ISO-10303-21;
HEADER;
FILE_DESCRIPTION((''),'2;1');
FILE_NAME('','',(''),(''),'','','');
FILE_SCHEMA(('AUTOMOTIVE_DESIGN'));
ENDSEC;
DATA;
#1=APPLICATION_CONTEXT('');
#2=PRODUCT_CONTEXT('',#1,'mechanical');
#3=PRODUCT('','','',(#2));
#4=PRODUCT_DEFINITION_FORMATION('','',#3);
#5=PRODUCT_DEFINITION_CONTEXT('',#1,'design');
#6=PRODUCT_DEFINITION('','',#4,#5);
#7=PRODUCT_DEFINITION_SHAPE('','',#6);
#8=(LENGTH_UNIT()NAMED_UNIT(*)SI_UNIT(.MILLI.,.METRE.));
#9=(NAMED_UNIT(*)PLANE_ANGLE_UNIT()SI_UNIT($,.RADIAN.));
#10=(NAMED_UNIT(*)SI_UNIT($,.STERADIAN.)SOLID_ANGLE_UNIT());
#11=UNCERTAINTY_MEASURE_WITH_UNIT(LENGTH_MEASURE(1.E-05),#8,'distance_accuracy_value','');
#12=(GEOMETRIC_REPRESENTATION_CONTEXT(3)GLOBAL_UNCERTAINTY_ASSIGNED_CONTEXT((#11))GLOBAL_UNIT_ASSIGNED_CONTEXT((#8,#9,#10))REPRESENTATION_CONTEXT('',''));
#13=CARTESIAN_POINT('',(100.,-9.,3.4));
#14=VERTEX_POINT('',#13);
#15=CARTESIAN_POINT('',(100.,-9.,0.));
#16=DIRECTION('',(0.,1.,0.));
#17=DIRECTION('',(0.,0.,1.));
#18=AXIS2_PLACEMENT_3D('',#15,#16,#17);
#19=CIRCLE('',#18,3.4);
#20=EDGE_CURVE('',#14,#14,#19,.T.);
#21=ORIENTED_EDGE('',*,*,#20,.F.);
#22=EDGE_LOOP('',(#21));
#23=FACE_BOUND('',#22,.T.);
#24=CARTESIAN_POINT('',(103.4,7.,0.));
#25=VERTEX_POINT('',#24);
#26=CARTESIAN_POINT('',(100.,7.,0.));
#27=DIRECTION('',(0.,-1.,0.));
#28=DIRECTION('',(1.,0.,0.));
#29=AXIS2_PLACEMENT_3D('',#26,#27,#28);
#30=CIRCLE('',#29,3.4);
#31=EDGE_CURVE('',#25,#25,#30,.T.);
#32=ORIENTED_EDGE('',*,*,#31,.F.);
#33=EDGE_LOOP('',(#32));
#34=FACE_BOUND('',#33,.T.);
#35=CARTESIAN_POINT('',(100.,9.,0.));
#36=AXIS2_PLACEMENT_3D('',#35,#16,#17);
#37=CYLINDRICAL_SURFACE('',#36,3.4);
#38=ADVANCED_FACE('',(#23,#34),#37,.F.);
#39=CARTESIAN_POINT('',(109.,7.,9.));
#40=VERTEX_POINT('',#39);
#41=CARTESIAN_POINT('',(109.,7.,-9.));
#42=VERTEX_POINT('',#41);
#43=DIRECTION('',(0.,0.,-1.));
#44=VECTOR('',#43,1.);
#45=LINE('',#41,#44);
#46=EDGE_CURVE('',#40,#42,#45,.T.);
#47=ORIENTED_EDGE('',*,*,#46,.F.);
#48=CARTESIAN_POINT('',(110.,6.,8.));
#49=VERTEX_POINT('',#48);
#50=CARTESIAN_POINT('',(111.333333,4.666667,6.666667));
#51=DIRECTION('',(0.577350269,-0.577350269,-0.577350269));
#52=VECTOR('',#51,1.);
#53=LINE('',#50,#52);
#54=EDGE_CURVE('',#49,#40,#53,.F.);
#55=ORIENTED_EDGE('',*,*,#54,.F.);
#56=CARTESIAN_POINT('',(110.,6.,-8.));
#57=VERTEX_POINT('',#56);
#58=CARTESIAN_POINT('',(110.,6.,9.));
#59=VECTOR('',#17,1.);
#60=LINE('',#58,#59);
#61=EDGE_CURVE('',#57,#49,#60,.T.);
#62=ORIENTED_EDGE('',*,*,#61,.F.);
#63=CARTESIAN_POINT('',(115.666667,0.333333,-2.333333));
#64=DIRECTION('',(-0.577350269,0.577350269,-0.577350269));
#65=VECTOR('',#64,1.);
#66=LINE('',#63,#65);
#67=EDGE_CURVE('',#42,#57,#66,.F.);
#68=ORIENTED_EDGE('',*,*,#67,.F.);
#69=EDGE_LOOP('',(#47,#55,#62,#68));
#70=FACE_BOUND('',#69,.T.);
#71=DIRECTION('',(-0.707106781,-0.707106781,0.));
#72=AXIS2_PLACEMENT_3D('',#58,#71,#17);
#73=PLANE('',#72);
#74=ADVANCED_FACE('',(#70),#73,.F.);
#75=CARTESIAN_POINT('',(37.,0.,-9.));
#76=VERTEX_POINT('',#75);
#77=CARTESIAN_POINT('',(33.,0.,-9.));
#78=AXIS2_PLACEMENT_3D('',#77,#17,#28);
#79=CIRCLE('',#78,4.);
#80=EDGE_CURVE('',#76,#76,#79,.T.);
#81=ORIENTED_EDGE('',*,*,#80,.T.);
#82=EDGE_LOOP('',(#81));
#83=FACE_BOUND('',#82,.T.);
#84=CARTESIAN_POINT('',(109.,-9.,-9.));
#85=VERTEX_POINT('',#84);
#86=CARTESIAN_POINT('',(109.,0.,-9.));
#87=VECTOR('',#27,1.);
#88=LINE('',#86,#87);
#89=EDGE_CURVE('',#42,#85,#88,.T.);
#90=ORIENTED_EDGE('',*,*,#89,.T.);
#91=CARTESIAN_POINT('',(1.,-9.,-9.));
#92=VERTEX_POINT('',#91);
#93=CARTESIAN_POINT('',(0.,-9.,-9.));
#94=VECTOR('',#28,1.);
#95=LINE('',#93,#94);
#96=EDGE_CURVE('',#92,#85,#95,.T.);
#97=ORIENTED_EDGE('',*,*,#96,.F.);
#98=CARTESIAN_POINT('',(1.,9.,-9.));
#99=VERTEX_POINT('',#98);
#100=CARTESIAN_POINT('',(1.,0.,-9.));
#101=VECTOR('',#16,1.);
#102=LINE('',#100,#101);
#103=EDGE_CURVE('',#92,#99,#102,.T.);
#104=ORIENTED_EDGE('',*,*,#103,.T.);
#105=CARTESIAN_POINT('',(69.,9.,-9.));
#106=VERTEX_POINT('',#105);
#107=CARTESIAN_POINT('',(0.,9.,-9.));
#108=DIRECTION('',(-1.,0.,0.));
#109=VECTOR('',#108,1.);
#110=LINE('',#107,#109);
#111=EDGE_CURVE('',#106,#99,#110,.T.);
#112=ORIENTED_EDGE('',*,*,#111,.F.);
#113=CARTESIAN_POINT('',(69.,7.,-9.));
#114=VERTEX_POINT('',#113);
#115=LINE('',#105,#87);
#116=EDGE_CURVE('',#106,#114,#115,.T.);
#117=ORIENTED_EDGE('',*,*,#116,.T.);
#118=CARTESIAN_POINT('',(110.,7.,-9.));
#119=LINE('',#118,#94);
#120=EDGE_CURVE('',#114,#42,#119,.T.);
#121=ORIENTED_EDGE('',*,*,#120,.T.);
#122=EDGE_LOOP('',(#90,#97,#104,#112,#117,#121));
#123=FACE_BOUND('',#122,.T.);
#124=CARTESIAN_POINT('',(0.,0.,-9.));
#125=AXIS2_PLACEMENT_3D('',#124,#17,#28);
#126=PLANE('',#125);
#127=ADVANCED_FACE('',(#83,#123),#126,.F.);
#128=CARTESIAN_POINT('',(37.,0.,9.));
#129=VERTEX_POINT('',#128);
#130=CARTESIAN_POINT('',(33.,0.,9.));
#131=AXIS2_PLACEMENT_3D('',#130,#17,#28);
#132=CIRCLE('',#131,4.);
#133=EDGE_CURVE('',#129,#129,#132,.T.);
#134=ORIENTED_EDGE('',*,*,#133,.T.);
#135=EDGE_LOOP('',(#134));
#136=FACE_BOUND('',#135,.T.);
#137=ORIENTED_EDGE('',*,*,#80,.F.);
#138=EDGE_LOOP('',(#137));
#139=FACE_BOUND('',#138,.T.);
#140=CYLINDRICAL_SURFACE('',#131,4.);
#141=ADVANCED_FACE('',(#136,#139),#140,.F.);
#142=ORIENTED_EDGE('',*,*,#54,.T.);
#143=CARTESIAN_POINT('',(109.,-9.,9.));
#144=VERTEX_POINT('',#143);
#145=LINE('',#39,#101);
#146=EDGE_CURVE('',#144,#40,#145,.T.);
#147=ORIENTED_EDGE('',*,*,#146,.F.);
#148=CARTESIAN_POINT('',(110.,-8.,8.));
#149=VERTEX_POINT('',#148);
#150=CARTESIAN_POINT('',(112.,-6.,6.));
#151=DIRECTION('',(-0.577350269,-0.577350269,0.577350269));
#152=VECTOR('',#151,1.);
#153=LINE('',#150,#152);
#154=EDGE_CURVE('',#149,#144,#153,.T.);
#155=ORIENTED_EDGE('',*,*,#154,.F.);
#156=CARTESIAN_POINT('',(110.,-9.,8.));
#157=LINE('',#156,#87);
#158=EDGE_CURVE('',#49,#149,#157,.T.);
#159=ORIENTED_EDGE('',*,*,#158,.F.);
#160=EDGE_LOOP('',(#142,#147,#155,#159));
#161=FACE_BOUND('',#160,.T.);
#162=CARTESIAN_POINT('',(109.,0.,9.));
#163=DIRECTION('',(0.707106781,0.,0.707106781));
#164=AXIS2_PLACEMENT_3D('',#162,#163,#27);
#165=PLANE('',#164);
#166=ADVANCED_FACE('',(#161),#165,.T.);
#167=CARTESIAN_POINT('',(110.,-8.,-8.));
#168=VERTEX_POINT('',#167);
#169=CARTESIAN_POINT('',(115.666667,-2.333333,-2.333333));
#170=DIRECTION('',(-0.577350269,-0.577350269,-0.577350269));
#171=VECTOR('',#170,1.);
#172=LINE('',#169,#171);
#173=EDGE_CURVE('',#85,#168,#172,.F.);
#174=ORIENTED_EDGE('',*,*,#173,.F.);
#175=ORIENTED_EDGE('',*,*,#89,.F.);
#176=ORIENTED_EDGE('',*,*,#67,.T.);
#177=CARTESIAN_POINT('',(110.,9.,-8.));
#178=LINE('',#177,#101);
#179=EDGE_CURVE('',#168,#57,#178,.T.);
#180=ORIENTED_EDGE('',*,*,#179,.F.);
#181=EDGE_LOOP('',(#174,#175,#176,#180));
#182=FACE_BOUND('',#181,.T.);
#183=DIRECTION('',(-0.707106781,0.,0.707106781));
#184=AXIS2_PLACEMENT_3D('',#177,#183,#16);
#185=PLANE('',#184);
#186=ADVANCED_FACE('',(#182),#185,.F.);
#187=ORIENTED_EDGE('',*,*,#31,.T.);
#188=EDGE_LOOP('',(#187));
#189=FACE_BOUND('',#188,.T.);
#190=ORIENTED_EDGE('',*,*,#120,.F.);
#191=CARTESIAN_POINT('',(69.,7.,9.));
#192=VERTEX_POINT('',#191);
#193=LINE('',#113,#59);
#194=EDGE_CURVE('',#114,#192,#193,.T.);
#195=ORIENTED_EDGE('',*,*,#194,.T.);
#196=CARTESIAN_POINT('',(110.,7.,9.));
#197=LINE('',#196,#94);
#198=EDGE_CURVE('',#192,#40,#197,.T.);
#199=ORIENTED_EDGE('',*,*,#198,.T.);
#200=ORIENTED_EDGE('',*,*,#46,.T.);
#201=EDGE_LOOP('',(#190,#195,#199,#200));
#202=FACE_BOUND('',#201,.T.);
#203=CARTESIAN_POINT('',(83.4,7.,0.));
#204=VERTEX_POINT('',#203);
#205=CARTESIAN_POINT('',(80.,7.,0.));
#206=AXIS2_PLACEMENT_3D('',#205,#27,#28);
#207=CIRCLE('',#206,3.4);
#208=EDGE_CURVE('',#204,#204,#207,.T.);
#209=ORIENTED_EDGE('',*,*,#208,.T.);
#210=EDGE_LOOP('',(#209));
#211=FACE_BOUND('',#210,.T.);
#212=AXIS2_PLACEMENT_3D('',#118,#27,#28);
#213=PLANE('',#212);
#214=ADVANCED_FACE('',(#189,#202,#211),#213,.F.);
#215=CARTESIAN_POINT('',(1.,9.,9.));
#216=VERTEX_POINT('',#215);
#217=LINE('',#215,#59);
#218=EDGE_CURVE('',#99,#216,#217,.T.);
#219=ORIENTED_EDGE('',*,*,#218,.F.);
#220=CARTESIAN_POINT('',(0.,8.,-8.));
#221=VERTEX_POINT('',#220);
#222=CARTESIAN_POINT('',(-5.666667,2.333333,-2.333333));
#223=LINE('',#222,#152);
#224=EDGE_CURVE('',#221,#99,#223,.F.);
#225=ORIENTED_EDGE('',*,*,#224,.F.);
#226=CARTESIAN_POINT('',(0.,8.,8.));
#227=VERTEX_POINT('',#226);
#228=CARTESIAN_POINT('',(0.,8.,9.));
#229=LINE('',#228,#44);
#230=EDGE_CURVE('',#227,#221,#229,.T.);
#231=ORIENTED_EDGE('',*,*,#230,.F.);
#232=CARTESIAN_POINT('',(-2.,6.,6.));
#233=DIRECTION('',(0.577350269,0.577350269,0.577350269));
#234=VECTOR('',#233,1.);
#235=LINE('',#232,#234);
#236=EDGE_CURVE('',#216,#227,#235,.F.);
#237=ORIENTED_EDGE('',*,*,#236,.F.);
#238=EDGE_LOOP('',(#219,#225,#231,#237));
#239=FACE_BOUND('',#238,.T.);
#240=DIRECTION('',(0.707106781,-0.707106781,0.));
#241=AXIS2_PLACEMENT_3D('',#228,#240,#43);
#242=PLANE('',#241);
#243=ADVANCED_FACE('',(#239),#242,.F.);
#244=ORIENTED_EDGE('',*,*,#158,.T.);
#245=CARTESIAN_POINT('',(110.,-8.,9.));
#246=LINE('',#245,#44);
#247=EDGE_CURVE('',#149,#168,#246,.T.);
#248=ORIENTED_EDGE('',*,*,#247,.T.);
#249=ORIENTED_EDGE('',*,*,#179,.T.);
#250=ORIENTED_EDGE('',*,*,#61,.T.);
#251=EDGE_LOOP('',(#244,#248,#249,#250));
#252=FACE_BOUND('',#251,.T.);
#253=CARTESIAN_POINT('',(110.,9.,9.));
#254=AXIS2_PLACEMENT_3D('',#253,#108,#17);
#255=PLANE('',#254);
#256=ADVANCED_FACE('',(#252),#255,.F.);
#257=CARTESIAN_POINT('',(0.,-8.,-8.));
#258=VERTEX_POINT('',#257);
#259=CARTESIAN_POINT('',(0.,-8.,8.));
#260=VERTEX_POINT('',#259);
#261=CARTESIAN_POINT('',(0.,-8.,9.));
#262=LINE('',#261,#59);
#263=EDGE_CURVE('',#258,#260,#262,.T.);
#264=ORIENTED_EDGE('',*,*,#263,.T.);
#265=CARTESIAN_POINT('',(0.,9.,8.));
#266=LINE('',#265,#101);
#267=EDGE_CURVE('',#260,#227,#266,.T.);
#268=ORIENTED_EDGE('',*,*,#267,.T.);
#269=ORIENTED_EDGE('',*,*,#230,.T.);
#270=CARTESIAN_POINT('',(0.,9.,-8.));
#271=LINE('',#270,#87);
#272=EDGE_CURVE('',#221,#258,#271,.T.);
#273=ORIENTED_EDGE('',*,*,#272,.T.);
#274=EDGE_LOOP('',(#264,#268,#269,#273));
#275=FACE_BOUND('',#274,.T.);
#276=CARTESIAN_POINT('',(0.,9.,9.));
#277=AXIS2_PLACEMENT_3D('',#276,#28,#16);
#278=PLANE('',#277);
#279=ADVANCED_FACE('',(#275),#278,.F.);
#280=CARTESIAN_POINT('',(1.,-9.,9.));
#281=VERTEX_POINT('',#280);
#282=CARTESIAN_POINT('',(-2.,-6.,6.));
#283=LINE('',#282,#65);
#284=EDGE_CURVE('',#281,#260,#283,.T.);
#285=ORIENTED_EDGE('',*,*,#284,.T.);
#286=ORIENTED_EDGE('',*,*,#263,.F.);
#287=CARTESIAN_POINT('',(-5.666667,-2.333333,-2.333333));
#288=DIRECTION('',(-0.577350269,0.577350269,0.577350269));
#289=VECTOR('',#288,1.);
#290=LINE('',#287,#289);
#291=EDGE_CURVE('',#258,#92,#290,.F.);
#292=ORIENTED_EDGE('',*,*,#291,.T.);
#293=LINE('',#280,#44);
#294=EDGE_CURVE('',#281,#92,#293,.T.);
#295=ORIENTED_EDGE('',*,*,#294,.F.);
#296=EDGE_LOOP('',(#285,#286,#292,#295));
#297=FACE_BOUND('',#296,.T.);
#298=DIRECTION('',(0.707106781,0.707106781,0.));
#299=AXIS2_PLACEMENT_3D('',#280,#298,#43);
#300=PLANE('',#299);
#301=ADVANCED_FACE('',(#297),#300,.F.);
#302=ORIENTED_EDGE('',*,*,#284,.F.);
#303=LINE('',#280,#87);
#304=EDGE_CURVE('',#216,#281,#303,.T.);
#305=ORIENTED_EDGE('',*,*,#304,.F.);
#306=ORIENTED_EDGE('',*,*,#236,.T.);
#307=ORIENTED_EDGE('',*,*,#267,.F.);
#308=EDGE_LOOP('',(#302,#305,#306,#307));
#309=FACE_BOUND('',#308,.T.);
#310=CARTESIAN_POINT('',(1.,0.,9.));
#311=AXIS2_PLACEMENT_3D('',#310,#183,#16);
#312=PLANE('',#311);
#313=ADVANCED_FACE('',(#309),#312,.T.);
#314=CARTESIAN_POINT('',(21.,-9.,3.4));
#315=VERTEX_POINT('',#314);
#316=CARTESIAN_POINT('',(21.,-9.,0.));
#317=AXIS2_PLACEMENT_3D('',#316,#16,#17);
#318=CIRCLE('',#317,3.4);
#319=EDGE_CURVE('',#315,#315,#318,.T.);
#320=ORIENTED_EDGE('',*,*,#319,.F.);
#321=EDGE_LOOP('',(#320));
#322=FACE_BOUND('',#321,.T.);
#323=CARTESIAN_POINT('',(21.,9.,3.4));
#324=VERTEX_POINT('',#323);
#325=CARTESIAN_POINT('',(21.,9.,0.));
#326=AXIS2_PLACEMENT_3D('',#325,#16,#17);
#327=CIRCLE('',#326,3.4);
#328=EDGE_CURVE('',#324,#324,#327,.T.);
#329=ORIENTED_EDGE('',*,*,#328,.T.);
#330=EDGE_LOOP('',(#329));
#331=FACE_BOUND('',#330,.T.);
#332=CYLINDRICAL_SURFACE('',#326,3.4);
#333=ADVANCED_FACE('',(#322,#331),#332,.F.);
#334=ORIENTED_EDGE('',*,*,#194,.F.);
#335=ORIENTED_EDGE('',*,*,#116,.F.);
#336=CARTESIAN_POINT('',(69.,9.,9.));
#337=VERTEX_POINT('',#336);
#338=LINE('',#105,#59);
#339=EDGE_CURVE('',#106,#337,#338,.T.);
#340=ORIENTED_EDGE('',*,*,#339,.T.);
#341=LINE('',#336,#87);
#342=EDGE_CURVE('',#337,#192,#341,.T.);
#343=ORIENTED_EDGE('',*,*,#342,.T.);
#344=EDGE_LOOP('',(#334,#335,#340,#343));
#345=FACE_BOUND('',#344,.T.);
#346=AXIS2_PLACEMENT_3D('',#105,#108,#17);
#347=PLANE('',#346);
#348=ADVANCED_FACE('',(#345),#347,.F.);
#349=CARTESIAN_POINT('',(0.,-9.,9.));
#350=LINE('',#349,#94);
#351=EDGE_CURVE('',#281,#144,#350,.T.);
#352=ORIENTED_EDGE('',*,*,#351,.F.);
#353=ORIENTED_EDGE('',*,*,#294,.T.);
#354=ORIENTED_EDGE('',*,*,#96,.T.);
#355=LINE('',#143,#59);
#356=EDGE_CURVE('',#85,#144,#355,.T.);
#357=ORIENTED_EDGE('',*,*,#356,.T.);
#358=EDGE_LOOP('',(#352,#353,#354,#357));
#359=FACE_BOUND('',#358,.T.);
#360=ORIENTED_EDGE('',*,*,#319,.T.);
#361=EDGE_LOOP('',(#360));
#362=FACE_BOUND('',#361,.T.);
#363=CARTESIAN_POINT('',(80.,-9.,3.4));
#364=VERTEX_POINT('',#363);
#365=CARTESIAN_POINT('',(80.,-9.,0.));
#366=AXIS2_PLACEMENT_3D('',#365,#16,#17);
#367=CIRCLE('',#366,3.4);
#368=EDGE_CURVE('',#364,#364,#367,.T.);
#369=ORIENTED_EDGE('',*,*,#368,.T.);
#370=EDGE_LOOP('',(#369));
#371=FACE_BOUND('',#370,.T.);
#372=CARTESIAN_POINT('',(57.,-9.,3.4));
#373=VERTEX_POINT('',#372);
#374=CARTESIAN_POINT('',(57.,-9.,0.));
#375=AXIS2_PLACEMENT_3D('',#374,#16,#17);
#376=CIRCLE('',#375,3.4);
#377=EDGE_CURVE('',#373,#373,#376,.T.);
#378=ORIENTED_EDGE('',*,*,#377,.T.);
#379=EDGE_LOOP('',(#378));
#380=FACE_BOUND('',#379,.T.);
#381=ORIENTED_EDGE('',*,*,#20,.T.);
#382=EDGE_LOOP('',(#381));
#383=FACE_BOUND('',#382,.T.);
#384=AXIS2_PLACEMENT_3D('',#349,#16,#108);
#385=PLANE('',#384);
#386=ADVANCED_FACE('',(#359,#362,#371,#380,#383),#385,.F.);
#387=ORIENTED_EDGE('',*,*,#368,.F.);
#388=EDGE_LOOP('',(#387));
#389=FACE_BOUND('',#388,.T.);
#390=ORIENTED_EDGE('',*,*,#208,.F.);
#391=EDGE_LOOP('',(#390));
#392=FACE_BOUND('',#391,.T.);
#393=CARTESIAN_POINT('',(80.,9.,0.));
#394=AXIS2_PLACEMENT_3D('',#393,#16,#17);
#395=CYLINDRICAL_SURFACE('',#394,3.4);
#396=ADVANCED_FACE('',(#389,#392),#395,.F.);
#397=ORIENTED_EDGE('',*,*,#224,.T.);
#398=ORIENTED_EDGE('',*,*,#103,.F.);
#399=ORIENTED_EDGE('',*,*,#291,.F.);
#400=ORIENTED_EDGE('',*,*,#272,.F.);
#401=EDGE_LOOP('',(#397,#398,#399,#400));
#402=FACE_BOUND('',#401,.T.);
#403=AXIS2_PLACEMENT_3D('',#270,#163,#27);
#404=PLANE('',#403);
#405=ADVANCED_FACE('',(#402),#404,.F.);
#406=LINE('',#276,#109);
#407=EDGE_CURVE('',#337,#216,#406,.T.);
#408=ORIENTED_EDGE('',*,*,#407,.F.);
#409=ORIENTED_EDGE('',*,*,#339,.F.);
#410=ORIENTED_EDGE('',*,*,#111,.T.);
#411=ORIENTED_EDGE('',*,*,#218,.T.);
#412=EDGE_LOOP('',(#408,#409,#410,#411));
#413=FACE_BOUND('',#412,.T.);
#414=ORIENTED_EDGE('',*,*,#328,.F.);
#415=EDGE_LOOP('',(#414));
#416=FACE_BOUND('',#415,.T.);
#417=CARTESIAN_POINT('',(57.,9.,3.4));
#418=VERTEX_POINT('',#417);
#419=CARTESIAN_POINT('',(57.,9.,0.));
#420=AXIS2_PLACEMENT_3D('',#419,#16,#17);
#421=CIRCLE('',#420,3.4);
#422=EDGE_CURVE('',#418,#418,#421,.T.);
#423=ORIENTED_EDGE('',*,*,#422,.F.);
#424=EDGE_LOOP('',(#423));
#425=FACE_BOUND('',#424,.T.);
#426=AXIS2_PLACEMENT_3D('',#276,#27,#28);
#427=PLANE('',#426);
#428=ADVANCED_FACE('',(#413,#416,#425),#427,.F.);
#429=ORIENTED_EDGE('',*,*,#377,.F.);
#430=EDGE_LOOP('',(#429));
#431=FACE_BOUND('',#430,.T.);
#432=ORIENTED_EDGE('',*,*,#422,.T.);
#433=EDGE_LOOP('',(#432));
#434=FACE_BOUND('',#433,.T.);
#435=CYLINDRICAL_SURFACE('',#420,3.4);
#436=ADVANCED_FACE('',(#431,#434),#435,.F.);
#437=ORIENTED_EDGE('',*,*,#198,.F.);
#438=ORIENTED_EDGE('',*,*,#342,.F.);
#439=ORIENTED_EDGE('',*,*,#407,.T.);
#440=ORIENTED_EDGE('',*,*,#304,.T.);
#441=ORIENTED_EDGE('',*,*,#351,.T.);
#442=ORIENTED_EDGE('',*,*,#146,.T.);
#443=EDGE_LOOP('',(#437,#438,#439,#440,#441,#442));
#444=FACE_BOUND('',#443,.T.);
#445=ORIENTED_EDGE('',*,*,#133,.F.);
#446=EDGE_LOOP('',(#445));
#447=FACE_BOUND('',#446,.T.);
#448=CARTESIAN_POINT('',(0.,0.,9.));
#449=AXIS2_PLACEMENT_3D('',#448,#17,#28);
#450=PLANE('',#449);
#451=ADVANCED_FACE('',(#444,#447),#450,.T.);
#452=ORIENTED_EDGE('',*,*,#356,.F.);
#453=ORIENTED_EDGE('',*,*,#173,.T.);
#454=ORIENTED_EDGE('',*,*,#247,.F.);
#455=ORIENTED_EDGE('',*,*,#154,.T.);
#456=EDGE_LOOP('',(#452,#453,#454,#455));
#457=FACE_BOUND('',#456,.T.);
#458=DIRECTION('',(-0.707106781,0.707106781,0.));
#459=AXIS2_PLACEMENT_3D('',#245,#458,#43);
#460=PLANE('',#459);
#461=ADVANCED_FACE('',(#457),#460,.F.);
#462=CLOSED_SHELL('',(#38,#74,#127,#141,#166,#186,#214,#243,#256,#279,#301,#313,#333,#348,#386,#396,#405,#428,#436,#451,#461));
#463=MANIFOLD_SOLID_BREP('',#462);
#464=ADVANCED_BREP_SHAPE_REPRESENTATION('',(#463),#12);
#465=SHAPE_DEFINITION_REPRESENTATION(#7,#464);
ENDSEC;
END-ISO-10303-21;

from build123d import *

# Parameters (mm, degrees)
SKETCH1_W                = 110
SKETCH1_H                = 18
BOSS_EXTRUDE1_DEPTH      = 9
SKETCH2_W                = 41
SKETCH2_H                = 2
CUT_EXTRUDE1_DEPTH       = 112.825757319
F_8_0_8_DIAMETER_HOLE1_D = 8
M8_TAPPED_HOLE1_D        = 6.8
CHAMFER1_SIZE            = 1


with BuildPart() as part:
    # Sketch1 → Boss-Extrude1 (new, symmetric)
    with BuildSketch(Plane.XY):
        with Locations((55, 0)):
            Rectangle(SKETCH1_W, SKETCH1_H)
    extrude(amount=BOSS_EXTRUDE1_DEPTH, both=True)

    # Sketch2 → Cut-Extrude1 (cut, through all)
    with BuildSketch(Plane.XY.offset(9)):
        with Locations((89.5, 8)):
            Rectangle(SKETCH2_W, SKETCH2_H)
    extrude(amount=-CUT_EXTRUDE1_DEPTH, mode=Mode.SUBTRACT)

    # Ø8.0 (8) Diameter Hole1 (through all)
    with Locations(Plane.XY.offset(9)):
        with Locations((33, 0)):
            Hole(F_8_0_8_DIAMETER_HOLE1_D / 2)

    # M8 Tapped Hole1 (through all)
    with Locations(Plane(origin=(0, 9, 0), x_dir=(1, 0, 0), z_dir=(0, 1, 0))):
        with Locations((21, 0), (57, 0), (80, 0), (100, 0)):
            Hole(M8_TAPPED_HOLE1_D / 2)

    # Chamfer1
    chamfer1_edges = [part.edges().sort_by_distance(p)[0] for p in [
        (110, -1, 9),
        (110, 7, 0),
        (0, 0, 9),
        (110, -1, -9),
        (0, 0, -9),
        (0, 9, 0),
        (110, -9, 0),
        (0, -9, 0),
    ]]
    chamfer(chamfer1_edges, length=CHAMFER1_SIZE)


solid = part.part
